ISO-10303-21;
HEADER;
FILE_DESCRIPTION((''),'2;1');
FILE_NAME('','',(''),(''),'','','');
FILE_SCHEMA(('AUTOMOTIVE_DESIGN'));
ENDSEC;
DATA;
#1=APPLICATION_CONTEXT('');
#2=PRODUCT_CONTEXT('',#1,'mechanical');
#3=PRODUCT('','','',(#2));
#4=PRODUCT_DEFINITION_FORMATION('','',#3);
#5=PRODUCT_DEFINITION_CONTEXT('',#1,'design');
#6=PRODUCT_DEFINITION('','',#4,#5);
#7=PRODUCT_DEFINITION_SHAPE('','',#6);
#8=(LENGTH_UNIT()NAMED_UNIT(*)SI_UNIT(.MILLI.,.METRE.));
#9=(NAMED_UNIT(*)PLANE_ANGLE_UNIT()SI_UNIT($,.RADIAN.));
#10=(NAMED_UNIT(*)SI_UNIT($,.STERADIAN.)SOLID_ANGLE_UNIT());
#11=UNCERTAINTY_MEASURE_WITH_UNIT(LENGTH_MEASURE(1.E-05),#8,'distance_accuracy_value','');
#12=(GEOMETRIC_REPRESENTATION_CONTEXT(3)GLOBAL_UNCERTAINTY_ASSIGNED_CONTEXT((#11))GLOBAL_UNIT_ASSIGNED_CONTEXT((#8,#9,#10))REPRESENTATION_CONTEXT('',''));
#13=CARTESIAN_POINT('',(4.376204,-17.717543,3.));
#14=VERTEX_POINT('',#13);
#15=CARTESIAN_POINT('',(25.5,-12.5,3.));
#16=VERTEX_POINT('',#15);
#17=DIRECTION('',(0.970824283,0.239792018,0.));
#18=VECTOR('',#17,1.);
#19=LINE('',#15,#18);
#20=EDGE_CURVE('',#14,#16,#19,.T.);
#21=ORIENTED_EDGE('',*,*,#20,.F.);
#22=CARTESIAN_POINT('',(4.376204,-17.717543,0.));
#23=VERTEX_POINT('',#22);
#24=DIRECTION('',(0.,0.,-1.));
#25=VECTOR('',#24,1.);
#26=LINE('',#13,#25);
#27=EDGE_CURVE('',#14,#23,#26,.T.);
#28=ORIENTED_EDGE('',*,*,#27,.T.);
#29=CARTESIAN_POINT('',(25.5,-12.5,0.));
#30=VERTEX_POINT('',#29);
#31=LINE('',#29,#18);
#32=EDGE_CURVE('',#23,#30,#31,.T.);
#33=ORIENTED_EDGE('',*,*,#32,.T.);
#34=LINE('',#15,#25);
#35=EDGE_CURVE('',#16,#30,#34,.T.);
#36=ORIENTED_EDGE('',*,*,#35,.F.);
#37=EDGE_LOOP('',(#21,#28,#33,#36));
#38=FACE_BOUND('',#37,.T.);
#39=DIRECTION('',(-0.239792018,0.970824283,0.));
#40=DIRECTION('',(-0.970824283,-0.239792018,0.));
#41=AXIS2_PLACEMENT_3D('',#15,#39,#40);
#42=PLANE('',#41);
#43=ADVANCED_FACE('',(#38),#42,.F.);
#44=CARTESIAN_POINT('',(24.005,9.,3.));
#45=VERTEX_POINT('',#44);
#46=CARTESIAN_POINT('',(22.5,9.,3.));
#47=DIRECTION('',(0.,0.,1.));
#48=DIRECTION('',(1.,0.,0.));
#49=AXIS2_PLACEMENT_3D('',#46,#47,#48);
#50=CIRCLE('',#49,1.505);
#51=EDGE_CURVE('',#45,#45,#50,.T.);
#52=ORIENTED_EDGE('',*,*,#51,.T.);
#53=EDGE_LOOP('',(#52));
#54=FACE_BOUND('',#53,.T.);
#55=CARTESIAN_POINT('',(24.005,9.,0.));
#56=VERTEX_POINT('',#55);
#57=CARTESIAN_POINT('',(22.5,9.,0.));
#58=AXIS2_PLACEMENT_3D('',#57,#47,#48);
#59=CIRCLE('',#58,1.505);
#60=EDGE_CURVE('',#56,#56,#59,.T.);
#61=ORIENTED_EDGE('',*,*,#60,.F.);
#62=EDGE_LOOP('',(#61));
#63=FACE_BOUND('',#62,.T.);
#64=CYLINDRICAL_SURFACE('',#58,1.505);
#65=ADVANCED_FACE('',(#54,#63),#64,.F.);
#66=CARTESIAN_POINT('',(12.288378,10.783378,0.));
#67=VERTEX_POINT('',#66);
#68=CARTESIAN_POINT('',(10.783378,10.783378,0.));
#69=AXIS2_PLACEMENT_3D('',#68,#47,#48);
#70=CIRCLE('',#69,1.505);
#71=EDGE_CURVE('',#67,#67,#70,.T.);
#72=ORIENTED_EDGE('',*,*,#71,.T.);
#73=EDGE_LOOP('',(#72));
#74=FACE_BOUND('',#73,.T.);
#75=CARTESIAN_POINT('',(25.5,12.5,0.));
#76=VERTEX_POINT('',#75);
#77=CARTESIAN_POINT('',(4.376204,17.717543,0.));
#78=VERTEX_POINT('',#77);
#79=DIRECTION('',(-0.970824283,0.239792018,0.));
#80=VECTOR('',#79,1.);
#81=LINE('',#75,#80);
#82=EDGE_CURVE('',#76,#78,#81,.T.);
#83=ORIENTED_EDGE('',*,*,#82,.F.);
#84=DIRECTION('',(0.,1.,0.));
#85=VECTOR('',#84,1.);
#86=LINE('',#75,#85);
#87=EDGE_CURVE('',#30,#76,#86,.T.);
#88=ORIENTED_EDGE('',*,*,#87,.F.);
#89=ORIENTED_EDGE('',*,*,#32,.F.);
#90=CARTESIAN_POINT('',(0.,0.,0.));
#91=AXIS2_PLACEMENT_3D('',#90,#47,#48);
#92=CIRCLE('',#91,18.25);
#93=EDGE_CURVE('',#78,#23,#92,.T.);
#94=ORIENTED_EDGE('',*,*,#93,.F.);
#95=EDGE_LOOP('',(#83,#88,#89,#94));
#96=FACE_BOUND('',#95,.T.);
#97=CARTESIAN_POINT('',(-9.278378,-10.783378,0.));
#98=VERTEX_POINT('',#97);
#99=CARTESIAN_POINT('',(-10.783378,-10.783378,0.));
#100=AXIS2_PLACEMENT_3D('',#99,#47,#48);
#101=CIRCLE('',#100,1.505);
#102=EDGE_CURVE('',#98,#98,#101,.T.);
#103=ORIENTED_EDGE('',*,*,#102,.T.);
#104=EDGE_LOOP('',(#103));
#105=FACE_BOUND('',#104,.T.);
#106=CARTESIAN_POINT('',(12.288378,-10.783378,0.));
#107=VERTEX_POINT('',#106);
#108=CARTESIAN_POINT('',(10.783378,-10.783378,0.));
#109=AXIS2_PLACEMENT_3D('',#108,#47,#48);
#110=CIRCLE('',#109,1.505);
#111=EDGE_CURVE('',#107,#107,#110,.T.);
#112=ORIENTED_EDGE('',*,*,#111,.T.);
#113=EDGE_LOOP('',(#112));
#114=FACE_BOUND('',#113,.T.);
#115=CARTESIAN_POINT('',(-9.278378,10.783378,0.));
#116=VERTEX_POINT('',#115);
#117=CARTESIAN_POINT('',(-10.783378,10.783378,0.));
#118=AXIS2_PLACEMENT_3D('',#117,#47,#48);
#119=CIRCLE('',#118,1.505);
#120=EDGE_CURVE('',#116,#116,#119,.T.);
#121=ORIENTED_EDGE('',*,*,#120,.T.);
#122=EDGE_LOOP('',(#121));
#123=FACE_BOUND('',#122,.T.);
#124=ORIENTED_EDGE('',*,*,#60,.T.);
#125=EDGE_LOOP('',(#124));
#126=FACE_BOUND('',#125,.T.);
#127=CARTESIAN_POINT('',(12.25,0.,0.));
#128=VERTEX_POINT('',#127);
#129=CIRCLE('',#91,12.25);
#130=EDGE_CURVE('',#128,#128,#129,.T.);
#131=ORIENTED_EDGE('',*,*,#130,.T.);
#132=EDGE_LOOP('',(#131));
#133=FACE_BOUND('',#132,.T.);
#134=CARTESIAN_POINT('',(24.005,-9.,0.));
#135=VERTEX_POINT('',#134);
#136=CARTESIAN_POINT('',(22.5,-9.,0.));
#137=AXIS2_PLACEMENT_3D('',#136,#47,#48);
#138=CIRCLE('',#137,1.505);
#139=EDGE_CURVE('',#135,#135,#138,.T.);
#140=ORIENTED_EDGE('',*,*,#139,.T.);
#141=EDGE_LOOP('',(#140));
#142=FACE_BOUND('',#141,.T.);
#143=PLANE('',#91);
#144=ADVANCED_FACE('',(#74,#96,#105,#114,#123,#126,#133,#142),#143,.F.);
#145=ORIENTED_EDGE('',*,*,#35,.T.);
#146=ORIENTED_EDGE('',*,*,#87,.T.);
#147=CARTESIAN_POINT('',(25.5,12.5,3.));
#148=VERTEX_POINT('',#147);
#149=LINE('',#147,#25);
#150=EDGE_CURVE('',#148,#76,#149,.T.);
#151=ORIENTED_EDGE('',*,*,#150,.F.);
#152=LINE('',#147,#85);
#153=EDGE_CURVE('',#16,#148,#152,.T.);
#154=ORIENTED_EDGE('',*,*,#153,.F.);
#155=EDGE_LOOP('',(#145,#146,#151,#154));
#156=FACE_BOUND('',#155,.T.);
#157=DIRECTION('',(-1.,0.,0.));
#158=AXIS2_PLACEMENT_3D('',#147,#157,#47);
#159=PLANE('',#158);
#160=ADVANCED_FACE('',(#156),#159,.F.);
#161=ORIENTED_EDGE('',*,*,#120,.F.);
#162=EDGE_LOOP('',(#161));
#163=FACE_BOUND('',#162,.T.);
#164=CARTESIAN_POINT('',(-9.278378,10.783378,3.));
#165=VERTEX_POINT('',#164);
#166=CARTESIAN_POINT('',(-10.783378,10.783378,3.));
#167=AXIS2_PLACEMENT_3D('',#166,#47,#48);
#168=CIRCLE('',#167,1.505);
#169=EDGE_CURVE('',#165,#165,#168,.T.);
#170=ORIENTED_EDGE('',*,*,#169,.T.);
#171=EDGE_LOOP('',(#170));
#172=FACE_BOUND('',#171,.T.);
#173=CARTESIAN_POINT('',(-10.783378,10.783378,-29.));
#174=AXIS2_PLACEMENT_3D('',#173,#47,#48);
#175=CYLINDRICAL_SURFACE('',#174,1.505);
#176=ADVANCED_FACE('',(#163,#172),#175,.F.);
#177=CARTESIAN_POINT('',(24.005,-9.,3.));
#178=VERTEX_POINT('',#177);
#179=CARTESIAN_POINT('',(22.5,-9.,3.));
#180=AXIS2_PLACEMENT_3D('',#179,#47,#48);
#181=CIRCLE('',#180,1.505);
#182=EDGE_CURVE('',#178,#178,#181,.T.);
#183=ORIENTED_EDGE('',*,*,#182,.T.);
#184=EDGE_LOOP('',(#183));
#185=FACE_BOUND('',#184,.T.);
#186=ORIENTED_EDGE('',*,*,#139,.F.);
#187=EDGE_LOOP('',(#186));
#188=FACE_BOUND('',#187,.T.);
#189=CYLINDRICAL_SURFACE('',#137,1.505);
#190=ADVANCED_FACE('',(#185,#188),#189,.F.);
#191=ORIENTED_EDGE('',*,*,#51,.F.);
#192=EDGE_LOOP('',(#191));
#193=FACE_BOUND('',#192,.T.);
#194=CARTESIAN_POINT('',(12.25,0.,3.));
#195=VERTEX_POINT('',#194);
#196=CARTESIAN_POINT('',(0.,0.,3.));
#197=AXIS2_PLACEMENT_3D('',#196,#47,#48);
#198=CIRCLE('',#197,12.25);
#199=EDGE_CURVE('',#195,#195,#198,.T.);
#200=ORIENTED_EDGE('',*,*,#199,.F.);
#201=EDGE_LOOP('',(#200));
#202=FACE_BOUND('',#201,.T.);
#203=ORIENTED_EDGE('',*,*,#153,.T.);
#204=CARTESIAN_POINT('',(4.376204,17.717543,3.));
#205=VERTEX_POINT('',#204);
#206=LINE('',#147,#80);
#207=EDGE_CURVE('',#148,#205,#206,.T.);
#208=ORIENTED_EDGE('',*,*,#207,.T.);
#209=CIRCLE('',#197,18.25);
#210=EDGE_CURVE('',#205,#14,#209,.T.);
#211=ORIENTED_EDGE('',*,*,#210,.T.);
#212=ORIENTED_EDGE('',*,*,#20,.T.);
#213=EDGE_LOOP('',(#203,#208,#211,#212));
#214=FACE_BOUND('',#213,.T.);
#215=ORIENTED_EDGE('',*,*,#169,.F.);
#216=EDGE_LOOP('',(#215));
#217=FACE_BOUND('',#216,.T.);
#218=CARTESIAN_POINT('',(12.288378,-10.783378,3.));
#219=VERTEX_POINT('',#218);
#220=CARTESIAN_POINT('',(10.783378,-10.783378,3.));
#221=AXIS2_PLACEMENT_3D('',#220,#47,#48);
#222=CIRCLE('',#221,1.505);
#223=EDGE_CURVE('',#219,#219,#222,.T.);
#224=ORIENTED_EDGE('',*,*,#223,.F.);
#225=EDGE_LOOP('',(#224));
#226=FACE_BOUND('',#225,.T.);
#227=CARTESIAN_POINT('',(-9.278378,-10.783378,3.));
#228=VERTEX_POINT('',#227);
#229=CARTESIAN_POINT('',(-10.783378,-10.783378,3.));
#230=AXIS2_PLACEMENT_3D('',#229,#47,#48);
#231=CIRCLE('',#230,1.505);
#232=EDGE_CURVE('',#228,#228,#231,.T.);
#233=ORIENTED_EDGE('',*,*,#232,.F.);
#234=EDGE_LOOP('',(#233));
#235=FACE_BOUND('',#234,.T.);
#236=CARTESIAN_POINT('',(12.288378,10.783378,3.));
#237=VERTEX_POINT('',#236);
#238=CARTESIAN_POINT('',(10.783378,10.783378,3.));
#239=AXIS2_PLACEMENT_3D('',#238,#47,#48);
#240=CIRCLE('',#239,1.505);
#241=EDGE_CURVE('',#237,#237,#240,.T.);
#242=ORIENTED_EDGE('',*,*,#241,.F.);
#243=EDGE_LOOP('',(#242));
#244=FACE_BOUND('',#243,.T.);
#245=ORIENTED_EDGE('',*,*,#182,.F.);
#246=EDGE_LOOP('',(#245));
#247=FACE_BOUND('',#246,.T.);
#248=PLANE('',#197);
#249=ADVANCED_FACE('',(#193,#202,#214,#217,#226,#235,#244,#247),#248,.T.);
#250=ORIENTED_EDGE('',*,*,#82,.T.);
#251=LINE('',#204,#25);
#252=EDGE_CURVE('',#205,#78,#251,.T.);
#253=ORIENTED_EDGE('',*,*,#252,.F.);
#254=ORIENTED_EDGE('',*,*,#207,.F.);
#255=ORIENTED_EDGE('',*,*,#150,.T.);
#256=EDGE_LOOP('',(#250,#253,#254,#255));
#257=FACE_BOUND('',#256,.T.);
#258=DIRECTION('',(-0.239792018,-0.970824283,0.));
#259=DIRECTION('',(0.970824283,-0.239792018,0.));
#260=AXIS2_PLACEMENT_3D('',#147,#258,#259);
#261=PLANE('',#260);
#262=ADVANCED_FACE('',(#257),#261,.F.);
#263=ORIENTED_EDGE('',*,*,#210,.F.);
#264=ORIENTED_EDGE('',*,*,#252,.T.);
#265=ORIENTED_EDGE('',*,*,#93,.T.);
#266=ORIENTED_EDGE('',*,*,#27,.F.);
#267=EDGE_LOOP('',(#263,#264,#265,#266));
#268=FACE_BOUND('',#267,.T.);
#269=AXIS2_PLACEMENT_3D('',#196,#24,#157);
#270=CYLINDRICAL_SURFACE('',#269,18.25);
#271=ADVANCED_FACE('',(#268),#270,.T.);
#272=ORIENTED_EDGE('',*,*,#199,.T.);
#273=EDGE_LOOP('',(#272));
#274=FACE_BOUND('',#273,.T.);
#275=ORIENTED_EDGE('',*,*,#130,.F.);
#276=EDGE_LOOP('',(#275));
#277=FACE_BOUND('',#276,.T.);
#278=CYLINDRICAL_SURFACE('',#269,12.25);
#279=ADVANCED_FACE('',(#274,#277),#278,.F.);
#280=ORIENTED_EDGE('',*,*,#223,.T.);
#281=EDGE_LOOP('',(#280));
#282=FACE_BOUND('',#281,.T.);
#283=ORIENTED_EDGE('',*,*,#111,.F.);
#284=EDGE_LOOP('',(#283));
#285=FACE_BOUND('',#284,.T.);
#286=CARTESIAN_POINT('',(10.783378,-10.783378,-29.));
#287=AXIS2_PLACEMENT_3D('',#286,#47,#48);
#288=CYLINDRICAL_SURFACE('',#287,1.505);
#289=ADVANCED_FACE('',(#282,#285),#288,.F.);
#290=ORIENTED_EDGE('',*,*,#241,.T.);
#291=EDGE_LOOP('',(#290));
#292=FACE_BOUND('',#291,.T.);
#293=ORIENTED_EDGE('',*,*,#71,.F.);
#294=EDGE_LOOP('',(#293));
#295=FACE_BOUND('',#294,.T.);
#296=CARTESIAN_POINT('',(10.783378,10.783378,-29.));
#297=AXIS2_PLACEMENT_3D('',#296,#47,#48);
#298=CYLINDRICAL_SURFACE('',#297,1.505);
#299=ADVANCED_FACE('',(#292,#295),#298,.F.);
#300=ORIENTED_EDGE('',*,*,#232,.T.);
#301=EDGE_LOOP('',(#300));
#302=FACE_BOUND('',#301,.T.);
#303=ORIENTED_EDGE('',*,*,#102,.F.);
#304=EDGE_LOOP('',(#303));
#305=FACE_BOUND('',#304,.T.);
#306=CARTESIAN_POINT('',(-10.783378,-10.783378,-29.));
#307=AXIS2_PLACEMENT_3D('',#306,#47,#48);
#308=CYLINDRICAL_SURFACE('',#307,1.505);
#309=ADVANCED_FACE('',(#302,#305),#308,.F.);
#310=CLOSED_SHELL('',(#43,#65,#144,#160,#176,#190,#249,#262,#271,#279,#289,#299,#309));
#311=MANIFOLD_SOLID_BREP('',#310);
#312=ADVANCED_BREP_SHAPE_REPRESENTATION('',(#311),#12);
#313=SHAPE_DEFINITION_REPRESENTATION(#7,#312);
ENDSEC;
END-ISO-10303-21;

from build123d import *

# Parameters (mm, degrees)
SKETCH_1_R          = 12.25
EXTRUDE_1_DEPTH     = 3
SKETCH_2_R          = 1.505
CUT_EXTRUDE_1_DEPTH = 32
SKETCH_4_R          = 1.505
CUT_EXTRUDE_2_DEPTH = 3


with BuildPart() as part:
    # 草图1 → 凸台-拉伸1 (new body)
    with BuildSketch(Plane.XY):
        with BuildLine():
            Line((25.5, 12.5), (25.5, -12.5))
            Line((25.5, -12.5), (4.376204333, -17.71754316))
            ThreePointArc((4.376204333, -17.71754316), (-18.25, 0), (4.376204333, 17.71754316))
            Line((4.376204333, 17.71754316), (25.5, 12.5))
        make_face()
        Circle(SKETCH_1_R, mode=Mode.SUBTRACT)
    extrude(amount=EXTRUDE_1_DEPTH)

    # 草图2 → 切除-拉伸1 (cut)
    with BuildSketch(Plane.XY.offset(3)):
        with Locations((-10.783378413, 10.783378413)):
            Circle(SKETCH_2_R)
        with Locations((10.783378413, 10.783378413)):
            Circle(SKETCH_2_R)
        with Locations((10.783378413, -10.783378413)):
            Circle(SKETCH_2_R)
        with Locations((-10.783378413, -10.783378413)):
            Circle(SKETCH_2_R)
    extrude(amount=-CUT_EXTRUDE_1_DEPTH, mode=Mode.SUBTRACT)

    # 草图4 → 切除-拉伸2 (cut, symmetric)
    with BuildSketch(Plane.XY.offset(3)):
        with Locations((22.5, -9)):
            Circle(SKETCH_4_R)
        with Locations((22.5, 9)):
            Circle(SKETCH_4_R)
    extrude(amount=CUT_EXTRUDE_2_DEPTH, both=True, mode=Mode.SUBTRACT)


solid = part.part
